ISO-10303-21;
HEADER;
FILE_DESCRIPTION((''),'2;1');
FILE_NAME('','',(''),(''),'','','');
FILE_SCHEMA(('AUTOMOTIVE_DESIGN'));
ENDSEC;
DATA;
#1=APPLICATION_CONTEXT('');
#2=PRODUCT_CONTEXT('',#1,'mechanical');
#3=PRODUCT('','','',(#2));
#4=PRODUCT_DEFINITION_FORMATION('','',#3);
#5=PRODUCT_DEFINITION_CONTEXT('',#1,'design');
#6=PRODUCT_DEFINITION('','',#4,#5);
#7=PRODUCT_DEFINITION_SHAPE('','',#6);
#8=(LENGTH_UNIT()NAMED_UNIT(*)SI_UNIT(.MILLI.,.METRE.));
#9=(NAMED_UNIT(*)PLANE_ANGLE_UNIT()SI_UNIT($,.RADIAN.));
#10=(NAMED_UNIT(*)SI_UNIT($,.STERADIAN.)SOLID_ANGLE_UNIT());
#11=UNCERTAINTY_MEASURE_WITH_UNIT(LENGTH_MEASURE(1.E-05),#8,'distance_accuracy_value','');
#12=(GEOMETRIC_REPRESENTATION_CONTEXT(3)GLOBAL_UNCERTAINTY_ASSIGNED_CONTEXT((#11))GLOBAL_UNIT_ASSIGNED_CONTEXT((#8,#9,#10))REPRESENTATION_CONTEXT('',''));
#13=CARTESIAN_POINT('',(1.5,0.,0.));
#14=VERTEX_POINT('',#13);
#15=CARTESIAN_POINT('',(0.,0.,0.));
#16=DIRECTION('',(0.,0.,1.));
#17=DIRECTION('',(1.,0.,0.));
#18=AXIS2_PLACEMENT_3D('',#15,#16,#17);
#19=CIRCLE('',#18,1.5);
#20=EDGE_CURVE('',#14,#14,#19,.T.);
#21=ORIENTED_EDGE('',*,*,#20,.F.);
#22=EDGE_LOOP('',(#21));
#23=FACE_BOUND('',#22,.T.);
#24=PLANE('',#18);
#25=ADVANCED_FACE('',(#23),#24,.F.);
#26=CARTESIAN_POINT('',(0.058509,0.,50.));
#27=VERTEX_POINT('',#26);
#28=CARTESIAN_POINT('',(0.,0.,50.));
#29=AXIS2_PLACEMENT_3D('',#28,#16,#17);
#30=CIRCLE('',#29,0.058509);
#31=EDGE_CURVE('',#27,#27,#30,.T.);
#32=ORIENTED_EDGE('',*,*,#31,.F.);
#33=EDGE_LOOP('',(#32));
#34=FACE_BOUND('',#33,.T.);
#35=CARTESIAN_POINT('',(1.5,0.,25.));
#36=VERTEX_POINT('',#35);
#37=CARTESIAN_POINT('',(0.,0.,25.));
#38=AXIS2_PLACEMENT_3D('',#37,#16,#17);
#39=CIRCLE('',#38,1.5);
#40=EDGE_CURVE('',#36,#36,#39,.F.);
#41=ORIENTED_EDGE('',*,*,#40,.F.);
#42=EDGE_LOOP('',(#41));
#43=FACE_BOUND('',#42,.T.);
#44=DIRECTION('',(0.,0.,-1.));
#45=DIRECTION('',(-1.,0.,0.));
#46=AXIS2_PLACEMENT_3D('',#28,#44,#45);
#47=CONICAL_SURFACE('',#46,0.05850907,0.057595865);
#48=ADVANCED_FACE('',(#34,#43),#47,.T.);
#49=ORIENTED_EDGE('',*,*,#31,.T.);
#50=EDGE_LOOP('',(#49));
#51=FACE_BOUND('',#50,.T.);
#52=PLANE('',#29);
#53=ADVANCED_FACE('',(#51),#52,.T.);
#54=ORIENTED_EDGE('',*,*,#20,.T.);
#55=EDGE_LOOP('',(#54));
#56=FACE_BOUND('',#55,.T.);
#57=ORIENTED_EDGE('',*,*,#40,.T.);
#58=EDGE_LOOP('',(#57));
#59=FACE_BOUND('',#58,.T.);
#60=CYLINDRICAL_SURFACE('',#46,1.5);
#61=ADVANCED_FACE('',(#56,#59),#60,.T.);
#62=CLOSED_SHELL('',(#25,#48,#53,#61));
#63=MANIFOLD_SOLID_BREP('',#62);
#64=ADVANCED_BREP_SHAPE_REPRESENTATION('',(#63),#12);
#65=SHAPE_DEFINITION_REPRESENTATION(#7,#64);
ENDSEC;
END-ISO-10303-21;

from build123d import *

# Parameters (mm, degrees)
SKETCH1_R      = 1.5
EXTRUDE1_DEPTH = 50
CHAMFER1_SIZE  = 25
CHAMFER1_SIZE2 = 1.44149093


with BuildPart() as part:
    # Sketch1 → Extrude1 (new body)
    with BuildSketch(Plane.XY):
        Circle(SKETCH1_R)
    extrude(amount=EXTRUDE1_DEPTH)

    # Chamfer1
    chamfer1_edges = [part.edges().sort_by_distance(p)[0] for p in [
        (-1.5, 0, 50),
    ]]
    chamfer1_side = [part.faces().sort_by_distance(p)[0] for p in [
        (-1.5, 0, 25),
    ]]
    chamfer(chamfer1_edges, length=CHAMFER1_SIZE, length2=CHAMFER1_SIZE2, reference=chamfer1_side[0])


solid = part.part
